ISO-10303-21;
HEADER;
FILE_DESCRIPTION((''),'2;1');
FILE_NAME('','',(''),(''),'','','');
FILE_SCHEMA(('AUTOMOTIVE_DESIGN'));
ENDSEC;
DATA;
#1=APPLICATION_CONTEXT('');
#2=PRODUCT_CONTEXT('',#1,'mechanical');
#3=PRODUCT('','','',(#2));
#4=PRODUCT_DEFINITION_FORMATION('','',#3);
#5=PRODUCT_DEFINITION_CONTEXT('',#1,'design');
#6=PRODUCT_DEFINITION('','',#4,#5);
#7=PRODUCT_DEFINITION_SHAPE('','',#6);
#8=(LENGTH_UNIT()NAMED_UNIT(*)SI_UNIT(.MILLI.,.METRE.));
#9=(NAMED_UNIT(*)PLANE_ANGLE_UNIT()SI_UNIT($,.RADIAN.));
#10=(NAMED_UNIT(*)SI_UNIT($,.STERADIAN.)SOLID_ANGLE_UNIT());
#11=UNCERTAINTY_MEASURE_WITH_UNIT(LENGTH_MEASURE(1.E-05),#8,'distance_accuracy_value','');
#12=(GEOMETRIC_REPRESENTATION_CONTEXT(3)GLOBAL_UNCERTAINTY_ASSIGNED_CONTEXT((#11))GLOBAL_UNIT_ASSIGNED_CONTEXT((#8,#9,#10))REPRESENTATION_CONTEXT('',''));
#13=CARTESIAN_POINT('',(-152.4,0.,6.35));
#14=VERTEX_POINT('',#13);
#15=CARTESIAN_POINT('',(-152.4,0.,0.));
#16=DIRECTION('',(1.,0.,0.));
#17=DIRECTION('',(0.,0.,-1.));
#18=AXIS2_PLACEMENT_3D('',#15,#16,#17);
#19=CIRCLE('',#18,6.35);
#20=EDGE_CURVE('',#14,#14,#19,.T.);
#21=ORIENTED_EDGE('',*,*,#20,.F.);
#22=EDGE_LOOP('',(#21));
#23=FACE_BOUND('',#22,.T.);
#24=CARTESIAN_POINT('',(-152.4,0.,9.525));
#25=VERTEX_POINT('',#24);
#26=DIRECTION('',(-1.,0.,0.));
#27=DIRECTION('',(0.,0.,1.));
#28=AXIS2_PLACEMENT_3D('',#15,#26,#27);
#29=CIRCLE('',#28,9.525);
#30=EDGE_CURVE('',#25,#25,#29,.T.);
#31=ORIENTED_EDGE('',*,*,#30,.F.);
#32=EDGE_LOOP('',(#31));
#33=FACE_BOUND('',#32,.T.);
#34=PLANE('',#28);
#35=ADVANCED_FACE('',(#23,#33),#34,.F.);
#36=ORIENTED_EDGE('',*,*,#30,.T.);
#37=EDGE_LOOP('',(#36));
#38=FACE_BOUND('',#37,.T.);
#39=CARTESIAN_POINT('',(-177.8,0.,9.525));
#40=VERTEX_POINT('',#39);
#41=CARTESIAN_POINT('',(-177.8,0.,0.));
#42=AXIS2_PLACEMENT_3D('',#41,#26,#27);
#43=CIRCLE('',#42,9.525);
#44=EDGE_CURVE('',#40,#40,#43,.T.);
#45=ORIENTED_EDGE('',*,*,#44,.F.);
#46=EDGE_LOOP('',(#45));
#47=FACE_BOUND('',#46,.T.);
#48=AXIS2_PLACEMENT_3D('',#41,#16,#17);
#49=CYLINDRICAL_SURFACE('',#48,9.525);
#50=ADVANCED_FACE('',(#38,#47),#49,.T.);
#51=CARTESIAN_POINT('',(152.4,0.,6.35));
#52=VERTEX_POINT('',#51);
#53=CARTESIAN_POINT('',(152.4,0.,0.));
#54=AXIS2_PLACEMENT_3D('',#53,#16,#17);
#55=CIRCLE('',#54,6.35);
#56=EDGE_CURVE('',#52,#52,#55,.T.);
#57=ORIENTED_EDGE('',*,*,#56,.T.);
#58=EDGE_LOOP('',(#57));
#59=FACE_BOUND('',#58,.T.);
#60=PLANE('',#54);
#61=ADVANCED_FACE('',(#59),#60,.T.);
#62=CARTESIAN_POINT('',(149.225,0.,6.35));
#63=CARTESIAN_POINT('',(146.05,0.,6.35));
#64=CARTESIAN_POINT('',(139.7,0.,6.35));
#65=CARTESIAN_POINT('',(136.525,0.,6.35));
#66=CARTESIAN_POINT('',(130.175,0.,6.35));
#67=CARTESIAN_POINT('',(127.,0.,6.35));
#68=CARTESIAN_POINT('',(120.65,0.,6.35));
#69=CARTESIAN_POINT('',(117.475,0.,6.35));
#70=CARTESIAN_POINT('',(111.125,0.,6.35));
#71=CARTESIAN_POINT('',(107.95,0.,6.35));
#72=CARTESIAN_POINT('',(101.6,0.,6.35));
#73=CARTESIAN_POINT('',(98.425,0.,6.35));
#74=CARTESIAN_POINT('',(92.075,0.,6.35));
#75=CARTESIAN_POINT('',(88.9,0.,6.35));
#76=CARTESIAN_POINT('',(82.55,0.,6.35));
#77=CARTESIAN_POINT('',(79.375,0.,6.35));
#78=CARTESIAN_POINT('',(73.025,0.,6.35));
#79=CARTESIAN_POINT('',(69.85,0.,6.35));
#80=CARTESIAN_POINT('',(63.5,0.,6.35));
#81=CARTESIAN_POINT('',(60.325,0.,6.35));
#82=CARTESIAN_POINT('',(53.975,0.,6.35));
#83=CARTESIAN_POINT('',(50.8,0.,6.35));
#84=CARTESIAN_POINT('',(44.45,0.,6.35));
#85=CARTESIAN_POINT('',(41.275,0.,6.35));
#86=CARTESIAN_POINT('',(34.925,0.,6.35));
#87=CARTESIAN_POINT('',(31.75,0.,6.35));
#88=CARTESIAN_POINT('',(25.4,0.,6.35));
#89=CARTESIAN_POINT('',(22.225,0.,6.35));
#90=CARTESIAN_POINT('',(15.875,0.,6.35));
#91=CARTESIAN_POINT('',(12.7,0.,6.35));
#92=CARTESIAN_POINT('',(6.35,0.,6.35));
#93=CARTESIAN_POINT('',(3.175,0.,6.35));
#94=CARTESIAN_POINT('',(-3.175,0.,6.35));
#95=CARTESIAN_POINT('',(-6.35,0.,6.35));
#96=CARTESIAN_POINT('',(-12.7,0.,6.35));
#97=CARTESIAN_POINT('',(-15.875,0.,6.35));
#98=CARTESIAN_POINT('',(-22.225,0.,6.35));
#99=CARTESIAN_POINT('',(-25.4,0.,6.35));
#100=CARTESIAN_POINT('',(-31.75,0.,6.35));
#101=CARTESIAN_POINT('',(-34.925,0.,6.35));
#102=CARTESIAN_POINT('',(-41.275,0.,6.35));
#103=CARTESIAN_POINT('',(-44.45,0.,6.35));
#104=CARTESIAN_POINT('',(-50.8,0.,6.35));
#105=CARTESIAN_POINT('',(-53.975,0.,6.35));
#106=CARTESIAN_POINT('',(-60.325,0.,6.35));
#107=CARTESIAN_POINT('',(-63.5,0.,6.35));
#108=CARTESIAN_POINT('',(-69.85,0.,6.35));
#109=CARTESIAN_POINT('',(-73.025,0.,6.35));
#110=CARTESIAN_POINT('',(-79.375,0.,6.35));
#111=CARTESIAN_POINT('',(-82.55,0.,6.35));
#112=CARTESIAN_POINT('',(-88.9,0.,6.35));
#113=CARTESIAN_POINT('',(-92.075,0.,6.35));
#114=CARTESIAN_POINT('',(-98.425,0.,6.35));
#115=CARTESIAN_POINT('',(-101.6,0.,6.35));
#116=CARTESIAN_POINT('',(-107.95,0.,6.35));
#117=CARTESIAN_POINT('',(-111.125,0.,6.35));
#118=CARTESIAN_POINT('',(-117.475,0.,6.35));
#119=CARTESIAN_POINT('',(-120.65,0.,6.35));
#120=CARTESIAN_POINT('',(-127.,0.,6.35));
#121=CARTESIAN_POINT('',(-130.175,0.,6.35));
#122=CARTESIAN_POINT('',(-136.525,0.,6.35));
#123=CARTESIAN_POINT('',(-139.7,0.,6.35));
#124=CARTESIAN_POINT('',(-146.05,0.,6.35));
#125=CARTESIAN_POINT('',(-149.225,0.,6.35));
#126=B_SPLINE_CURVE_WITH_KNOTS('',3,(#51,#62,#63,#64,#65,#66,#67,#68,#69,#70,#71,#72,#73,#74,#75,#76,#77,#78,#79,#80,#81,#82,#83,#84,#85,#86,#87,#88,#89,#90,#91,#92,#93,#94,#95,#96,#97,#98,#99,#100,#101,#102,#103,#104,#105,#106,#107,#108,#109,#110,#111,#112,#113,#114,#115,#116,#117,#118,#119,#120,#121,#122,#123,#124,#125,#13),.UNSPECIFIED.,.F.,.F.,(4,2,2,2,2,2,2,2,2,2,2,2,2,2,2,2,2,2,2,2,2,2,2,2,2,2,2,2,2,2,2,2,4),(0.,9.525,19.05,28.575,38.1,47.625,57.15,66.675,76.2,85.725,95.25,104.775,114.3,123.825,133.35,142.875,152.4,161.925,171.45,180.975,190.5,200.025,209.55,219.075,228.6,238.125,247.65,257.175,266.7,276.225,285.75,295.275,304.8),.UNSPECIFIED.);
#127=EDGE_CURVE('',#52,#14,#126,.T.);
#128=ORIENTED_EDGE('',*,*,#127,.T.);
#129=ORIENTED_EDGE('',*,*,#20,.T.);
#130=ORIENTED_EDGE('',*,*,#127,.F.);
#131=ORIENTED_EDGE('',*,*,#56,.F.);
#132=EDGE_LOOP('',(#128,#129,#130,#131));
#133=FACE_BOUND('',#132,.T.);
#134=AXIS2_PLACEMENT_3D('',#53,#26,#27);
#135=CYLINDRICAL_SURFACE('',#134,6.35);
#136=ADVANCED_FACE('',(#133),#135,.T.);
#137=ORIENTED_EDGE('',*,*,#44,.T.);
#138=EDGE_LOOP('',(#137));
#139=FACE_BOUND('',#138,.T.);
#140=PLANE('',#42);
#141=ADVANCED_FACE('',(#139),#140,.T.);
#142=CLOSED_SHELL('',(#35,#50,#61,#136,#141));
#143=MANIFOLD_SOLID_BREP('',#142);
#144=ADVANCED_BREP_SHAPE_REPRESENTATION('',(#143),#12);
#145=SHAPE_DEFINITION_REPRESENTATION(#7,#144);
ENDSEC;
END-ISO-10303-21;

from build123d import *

# Parameters (mm, degrees)
SKETCH1_R           = 6.35
BOSS_EXTRUDE1_DEPTH = 152.4
SKETCH2_R           = 9.525
BOSS_EXTRUDE2_DEPTH = 25.4


with BuildPart() as part:
    # Sketch1 → Boss-Extrude1 (new, symmetric)
    with BuildSketch(Plane(origin=(0, 0, 0), x_dir=(0, 0, -1), z_dir=(1, 0, 0))):
        with Locations(Location((0, 0, 0), (0, 0, 180))):
            Circle(SKETCH1_R)
    extrude(amount=BOSS_EXTRUDE1_DEPTH, both=True)

    # Sketch2 → Boss-Extrude2 (add)
    with BuildSketch(Plane.ZY.offset(152.4)):
        Circle(SKETCH2_R)
    extrude(amount=BOSS_EXTRUDE2_DEPTH)


solid = part.part
